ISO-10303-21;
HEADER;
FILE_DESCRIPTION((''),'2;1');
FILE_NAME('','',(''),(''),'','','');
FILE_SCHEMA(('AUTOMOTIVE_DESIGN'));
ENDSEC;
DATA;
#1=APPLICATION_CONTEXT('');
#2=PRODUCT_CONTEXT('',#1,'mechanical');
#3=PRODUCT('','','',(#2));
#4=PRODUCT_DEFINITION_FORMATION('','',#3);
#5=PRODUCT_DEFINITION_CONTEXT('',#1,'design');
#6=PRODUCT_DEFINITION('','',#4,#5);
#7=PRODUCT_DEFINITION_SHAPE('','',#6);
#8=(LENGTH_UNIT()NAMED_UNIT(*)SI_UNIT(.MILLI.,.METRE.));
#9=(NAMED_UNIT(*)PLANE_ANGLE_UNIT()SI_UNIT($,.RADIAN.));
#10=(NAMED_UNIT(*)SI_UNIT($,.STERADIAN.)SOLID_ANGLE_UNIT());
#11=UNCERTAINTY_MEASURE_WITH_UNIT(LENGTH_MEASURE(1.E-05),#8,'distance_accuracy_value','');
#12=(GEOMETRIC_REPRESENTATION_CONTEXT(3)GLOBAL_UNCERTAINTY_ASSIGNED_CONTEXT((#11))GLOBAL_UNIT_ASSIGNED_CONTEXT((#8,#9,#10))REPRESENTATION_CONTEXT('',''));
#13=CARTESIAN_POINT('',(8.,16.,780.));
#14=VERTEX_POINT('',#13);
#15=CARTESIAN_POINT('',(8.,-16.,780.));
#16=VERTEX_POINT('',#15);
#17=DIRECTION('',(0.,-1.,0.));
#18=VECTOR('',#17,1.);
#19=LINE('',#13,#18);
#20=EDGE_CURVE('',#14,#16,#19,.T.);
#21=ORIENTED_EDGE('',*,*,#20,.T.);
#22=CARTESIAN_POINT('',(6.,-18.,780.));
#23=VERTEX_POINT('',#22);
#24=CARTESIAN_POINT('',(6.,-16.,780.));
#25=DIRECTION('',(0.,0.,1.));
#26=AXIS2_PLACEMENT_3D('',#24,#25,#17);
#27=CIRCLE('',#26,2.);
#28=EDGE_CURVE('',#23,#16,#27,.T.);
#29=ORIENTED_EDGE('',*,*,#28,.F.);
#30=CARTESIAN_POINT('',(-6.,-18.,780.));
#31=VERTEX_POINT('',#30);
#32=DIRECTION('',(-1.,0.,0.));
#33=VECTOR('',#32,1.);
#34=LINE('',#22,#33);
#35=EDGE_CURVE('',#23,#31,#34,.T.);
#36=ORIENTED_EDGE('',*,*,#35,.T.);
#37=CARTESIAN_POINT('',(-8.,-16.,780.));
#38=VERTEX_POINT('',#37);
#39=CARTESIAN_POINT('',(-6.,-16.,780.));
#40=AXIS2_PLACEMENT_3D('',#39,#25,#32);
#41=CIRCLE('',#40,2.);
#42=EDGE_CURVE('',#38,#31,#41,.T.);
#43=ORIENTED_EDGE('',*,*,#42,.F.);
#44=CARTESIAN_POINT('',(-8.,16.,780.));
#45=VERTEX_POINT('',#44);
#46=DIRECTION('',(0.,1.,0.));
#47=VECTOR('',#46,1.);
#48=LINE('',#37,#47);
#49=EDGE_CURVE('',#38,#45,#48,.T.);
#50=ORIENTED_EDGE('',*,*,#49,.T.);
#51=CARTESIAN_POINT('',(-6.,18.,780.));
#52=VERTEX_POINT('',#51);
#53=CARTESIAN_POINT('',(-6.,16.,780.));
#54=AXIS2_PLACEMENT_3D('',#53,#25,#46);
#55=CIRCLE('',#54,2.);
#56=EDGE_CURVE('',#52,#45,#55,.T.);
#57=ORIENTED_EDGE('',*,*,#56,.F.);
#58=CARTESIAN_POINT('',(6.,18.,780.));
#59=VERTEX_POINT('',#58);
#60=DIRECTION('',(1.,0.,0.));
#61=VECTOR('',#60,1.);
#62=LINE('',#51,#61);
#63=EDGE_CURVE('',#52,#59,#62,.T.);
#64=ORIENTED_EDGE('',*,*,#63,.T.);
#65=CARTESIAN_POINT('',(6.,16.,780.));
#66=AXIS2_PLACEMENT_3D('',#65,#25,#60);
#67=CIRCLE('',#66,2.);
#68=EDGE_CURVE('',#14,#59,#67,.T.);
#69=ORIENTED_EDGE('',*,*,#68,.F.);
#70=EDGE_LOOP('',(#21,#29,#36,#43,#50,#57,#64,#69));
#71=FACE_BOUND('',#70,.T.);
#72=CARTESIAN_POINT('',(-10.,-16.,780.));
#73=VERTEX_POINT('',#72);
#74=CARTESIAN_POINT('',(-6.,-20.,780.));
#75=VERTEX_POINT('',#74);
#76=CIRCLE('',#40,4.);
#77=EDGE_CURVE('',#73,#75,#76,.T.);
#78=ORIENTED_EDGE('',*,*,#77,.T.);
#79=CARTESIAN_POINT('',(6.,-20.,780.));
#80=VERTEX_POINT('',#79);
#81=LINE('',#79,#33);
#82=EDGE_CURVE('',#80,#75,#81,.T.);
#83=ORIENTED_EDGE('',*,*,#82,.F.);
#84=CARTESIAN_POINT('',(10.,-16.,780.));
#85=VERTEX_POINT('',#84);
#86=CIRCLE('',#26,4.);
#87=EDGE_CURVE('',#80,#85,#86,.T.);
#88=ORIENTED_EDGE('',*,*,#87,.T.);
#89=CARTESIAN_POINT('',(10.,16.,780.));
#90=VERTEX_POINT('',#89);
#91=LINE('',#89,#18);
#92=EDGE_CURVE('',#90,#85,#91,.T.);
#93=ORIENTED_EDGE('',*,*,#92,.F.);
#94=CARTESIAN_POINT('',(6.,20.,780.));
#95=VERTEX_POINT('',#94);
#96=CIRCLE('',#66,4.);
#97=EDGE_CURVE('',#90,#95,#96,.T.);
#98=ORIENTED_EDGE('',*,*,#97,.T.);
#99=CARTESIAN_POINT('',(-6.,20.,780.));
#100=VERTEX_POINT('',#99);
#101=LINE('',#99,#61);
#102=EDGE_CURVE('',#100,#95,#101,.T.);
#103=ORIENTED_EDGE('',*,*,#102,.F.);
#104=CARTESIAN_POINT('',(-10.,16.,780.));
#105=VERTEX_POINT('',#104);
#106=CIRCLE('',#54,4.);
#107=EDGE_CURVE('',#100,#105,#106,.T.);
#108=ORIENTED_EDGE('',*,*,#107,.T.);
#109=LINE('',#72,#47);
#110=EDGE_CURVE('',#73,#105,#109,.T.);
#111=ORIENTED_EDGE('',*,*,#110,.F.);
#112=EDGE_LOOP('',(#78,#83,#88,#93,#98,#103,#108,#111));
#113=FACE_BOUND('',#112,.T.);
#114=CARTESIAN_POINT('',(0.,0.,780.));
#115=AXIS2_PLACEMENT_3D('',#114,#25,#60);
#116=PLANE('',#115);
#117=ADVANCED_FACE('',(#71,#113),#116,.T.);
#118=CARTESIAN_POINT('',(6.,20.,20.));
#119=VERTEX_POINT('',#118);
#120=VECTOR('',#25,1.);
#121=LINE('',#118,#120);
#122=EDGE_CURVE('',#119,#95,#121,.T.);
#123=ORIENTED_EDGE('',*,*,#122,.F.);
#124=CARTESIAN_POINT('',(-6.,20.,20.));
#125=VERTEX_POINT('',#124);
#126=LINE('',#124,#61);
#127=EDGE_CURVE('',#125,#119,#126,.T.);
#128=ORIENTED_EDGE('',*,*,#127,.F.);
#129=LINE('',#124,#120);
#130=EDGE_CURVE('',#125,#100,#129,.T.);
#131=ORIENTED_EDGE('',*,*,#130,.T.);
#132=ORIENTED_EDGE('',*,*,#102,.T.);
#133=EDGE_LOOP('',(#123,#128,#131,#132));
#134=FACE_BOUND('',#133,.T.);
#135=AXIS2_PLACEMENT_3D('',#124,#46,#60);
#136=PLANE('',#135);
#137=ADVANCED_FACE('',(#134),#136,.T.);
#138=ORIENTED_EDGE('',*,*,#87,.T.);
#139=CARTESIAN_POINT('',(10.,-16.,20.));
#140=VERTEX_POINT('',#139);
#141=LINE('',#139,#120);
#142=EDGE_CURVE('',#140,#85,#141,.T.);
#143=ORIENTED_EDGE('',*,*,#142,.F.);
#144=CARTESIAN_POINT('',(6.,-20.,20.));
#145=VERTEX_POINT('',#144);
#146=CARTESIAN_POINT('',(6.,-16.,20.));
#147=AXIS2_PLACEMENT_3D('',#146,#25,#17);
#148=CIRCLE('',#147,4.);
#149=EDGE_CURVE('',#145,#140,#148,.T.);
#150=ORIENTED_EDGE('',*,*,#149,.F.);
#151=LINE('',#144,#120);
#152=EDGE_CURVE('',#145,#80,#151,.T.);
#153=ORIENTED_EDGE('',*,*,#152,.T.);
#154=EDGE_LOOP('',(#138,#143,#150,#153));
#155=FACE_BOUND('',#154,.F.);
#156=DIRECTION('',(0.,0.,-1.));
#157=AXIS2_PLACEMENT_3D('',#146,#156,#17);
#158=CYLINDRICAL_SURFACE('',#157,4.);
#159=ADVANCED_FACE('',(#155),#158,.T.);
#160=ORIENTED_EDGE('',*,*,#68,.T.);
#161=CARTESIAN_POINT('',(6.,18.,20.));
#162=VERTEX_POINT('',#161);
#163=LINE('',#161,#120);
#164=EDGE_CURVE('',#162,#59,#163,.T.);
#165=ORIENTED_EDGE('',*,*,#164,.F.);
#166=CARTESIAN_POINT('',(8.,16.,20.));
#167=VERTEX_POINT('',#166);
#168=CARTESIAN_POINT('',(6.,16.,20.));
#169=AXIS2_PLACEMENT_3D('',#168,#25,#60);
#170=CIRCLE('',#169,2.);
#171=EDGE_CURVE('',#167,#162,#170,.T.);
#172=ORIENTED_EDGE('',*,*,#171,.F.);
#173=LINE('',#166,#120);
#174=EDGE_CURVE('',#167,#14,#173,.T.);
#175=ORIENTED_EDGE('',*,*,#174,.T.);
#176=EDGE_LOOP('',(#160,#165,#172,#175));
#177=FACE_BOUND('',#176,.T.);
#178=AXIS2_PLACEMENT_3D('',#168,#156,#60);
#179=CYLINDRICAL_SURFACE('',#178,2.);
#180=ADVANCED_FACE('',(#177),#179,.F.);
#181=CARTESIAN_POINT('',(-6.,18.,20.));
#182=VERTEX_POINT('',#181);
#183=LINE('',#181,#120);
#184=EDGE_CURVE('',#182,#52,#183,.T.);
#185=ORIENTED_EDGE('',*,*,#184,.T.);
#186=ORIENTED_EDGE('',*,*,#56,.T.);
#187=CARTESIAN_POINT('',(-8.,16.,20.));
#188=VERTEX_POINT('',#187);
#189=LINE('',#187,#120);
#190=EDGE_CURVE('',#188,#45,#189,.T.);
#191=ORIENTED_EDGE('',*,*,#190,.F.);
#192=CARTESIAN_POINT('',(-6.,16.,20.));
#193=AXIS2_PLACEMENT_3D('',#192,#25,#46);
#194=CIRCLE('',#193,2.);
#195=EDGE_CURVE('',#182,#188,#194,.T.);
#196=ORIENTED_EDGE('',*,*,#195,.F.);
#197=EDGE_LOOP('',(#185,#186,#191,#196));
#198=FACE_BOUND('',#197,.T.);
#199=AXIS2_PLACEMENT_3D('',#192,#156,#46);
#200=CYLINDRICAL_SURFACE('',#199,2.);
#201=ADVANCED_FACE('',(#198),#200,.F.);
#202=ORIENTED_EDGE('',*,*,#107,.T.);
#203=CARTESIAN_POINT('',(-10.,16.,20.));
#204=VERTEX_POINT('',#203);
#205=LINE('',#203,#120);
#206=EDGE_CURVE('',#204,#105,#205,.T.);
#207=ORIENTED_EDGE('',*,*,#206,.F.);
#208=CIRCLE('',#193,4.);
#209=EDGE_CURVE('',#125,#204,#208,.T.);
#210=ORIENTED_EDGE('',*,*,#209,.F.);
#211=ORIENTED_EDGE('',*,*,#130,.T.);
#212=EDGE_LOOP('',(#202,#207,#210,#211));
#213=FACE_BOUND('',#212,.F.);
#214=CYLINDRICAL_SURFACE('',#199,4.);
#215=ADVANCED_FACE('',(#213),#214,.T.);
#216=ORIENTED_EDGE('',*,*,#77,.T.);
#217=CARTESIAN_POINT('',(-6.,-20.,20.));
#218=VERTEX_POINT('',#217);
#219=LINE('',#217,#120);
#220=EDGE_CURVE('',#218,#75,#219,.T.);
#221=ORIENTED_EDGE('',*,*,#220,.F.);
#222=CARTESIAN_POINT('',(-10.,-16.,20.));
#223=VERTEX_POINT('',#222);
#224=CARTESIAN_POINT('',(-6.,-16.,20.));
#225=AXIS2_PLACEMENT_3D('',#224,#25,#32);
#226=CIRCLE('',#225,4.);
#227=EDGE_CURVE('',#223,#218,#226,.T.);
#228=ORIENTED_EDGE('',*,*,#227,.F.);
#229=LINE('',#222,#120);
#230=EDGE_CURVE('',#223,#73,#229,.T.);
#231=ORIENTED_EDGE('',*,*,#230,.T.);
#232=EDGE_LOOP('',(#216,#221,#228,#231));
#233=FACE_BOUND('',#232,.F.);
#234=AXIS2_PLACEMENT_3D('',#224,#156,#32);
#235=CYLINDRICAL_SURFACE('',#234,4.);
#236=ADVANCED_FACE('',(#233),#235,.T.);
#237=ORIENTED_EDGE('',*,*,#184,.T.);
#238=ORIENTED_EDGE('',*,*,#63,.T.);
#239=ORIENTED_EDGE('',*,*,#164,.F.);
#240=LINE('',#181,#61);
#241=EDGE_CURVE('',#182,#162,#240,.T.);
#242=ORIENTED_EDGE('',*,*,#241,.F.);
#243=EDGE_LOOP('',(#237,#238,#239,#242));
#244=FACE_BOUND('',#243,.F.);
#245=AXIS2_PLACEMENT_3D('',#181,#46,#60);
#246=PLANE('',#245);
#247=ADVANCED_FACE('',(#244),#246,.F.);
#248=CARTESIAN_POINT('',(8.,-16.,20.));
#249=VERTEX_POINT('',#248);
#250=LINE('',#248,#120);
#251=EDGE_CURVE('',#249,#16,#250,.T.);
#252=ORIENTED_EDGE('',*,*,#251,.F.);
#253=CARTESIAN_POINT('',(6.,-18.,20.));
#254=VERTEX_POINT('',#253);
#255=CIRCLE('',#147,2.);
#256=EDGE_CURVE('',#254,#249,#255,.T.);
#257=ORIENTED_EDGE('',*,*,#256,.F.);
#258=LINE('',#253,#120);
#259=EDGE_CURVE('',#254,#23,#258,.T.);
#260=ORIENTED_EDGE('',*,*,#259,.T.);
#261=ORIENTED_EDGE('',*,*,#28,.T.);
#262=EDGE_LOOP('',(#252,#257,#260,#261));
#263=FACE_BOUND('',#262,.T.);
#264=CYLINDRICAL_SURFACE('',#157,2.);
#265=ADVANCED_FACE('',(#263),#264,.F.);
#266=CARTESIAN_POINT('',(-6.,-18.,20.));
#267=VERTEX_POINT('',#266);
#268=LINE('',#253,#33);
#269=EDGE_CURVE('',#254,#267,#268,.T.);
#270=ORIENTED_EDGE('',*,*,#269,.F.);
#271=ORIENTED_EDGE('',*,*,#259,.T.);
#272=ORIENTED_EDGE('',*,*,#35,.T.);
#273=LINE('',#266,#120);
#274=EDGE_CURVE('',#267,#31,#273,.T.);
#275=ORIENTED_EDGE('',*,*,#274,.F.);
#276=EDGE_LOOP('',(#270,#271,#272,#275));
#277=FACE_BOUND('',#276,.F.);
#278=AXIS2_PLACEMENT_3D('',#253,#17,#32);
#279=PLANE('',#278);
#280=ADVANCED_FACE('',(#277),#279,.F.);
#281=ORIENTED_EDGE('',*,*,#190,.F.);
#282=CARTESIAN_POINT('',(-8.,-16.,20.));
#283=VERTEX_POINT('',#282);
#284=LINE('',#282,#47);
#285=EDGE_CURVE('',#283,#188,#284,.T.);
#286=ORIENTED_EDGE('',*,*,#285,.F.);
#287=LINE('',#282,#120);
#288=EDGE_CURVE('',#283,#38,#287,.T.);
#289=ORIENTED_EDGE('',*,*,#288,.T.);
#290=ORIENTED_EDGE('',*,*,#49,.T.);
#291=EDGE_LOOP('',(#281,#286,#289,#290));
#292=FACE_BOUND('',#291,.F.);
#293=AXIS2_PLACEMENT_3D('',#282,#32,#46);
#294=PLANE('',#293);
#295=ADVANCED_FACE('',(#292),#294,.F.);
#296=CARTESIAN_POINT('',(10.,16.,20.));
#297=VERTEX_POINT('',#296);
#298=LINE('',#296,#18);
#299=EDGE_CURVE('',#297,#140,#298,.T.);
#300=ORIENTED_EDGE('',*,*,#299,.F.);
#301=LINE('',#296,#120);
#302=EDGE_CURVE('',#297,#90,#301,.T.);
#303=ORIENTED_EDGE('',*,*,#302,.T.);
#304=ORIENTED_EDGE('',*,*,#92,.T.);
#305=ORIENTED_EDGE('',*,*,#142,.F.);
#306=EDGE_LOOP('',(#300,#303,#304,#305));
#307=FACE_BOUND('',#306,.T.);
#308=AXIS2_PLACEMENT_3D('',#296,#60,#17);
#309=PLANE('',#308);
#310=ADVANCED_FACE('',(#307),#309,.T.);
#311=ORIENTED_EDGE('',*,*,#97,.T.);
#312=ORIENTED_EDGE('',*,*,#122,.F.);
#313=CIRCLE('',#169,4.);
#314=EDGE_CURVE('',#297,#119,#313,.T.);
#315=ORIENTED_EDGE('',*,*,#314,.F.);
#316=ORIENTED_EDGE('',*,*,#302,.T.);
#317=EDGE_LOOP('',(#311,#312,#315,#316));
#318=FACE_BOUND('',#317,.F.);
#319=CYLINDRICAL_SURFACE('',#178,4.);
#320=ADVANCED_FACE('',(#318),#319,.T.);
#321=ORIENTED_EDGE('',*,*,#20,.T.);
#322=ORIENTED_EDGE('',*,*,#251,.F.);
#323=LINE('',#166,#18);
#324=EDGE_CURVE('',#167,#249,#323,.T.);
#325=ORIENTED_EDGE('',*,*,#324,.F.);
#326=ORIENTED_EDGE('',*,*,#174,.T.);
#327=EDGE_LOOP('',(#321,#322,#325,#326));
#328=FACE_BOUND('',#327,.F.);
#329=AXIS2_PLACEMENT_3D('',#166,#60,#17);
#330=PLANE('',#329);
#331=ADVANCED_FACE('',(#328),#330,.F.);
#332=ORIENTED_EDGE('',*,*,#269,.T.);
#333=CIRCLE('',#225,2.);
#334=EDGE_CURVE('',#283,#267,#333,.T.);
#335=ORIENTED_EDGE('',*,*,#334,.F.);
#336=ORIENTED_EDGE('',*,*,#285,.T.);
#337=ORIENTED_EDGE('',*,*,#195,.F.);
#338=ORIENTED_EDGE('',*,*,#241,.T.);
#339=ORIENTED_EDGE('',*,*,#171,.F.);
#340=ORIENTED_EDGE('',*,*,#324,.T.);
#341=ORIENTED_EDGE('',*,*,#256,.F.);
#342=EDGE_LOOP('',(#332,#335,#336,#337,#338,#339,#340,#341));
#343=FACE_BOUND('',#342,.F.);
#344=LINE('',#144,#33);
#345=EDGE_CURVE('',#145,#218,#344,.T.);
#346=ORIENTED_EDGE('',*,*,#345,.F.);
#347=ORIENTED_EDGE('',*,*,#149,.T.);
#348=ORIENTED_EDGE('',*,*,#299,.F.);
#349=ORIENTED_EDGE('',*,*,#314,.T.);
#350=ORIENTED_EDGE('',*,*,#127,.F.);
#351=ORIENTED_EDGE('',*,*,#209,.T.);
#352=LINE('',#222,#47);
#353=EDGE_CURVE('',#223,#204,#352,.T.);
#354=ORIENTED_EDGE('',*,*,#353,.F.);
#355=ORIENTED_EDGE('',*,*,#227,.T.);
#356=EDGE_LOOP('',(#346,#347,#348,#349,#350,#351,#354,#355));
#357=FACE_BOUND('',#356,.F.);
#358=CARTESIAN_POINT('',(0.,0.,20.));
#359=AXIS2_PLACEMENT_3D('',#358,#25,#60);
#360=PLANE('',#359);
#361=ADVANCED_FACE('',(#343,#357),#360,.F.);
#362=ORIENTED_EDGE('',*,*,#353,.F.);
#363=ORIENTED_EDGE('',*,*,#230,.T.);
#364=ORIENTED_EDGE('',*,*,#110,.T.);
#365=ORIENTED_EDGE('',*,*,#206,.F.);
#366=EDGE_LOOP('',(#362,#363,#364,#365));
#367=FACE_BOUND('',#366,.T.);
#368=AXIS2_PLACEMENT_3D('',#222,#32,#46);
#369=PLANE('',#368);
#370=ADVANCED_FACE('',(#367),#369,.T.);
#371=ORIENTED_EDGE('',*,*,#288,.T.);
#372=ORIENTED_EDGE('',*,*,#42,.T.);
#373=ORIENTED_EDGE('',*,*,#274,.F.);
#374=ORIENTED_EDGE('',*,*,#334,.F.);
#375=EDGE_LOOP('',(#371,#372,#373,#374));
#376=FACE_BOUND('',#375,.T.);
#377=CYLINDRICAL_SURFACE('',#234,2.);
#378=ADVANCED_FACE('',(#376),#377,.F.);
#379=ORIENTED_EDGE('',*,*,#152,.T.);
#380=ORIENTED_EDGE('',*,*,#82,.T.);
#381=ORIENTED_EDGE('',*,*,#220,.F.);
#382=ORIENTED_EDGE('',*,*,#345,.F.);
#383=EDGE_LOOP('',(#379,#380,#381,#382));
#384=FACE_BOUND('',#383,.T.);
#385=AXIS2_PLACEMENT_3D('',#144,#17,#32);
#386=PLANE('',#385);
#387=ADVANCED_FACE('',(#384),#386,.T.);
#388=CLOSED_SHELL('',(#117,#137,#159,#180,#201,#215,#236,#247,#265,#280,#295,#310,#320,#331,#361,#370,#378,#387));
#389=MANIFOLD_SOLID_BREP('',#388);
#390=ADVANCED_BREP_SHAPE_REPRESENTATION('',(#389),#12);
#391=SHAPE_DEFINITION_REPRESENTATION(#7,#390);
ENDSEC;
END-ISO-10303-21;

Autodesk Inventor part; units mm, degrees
ref_plane "YZ Plane" through (0, 0, 0) normal (1, 0, 0) x (0, 1, 0)
ref_plane "Start Plane" through (0, 0, 20) normal (0, 0, 1) x (1, 0, 0)
ref_plane "End Plane" through (0, 0, 780) normal (0, 0, 1) x (1, 0, 0)
sketch "Sketch" plane through (0, 0, 0) normal (0, 0, 1) x (1, 0, 0)
  line L0 (-10, -16) -> (-10, 16)
  line L1 (-6, 20) -> (6, 20)
  line L2 (10, 16) -> (10, -16)
  line L3 (6, -20) -> (-6, -20)
  arc A0 (-10, -16) -> (-6, -20) centre (-6, -16) ccw
  arc A1 (10, 16) -> (6, 20) centre (6, 16) ccw
  arc A2 (-6, 20) -> (-10, 16) centre (-6, 16) ccw
  arc A3 (6, -20) -> (10, -16) centre (6, -16) ccw
  arc A4 (-6, 18) -> (-8, 16) centre (-6, 16) ccw
  line L4 (-6, 18) -> (6, 18)
  arc A5 (8, 16) -> (6, 18) centre (6, 16) ccw
  line L5 (8, 16) -> (8, -16)
  arc A6 (6, -18) -> (8, -16) centre (6, -16) ccw
  line L6 (6, -18) -> (-6, -18)
  arc A7 (-8, -16) -> (-6, -18) centre (-6, -16) ccw
  line L7 (-8, -16) -> (-8, 16)
  line L8 (0, 29.1598) -> (0, -29.1598) construction
  line L9 (-15.1598, 0) -> (15.1598, 0) construction
  dimension "d7" = 4
  dimension "d9" = 20
  dimension "d11" = 40
  dimension "d12" = 2
  dimension "d15" = 10
  dimension "d16" = 20
extrude "Body" add sketch "Sketch" along normal up to surface (760 mm away) from surface at 20
sketch "Sketch3" plane through (0, 0, 0) normal (0, 0, 1) x (1, 0, 0)
  line L0 (0, 0) -> (10, 0)
ref_plane "Work Plane3" through (0, 0, 0) normal (0, -1, 0) x (1, 0, 0)
sketch "Sketch4" plane through (0, 0, 0) normal (0, -1, 0) x (1, 0, 0)
  line L0 (-2, 20) -> (12, 20) projected
  line L1 (-2, 780) -> (12, 780) projected
  dimension "d18" = 760
equation "\"d7\" = G_IR"
equation "\"d9\" = G_W"
equation "\"d11\" = G_H"
equation "\"d12\" = G_T"
equation "\"d15\" = 0.5 * d9"
equation "\"d16\" = 0.5 * d11"
equation "\"d3\" = G_L"
equation "\"G_W\" = 20"
equation "\"G_H\" = 40"
equation "\"G_T\" = 2"
equation "\"G_IR\" = 4"
equation "\"G_L\" = d18"
properties part number "ISO 4019 - 40x20x2 - 760" material "Steel, Mild"
